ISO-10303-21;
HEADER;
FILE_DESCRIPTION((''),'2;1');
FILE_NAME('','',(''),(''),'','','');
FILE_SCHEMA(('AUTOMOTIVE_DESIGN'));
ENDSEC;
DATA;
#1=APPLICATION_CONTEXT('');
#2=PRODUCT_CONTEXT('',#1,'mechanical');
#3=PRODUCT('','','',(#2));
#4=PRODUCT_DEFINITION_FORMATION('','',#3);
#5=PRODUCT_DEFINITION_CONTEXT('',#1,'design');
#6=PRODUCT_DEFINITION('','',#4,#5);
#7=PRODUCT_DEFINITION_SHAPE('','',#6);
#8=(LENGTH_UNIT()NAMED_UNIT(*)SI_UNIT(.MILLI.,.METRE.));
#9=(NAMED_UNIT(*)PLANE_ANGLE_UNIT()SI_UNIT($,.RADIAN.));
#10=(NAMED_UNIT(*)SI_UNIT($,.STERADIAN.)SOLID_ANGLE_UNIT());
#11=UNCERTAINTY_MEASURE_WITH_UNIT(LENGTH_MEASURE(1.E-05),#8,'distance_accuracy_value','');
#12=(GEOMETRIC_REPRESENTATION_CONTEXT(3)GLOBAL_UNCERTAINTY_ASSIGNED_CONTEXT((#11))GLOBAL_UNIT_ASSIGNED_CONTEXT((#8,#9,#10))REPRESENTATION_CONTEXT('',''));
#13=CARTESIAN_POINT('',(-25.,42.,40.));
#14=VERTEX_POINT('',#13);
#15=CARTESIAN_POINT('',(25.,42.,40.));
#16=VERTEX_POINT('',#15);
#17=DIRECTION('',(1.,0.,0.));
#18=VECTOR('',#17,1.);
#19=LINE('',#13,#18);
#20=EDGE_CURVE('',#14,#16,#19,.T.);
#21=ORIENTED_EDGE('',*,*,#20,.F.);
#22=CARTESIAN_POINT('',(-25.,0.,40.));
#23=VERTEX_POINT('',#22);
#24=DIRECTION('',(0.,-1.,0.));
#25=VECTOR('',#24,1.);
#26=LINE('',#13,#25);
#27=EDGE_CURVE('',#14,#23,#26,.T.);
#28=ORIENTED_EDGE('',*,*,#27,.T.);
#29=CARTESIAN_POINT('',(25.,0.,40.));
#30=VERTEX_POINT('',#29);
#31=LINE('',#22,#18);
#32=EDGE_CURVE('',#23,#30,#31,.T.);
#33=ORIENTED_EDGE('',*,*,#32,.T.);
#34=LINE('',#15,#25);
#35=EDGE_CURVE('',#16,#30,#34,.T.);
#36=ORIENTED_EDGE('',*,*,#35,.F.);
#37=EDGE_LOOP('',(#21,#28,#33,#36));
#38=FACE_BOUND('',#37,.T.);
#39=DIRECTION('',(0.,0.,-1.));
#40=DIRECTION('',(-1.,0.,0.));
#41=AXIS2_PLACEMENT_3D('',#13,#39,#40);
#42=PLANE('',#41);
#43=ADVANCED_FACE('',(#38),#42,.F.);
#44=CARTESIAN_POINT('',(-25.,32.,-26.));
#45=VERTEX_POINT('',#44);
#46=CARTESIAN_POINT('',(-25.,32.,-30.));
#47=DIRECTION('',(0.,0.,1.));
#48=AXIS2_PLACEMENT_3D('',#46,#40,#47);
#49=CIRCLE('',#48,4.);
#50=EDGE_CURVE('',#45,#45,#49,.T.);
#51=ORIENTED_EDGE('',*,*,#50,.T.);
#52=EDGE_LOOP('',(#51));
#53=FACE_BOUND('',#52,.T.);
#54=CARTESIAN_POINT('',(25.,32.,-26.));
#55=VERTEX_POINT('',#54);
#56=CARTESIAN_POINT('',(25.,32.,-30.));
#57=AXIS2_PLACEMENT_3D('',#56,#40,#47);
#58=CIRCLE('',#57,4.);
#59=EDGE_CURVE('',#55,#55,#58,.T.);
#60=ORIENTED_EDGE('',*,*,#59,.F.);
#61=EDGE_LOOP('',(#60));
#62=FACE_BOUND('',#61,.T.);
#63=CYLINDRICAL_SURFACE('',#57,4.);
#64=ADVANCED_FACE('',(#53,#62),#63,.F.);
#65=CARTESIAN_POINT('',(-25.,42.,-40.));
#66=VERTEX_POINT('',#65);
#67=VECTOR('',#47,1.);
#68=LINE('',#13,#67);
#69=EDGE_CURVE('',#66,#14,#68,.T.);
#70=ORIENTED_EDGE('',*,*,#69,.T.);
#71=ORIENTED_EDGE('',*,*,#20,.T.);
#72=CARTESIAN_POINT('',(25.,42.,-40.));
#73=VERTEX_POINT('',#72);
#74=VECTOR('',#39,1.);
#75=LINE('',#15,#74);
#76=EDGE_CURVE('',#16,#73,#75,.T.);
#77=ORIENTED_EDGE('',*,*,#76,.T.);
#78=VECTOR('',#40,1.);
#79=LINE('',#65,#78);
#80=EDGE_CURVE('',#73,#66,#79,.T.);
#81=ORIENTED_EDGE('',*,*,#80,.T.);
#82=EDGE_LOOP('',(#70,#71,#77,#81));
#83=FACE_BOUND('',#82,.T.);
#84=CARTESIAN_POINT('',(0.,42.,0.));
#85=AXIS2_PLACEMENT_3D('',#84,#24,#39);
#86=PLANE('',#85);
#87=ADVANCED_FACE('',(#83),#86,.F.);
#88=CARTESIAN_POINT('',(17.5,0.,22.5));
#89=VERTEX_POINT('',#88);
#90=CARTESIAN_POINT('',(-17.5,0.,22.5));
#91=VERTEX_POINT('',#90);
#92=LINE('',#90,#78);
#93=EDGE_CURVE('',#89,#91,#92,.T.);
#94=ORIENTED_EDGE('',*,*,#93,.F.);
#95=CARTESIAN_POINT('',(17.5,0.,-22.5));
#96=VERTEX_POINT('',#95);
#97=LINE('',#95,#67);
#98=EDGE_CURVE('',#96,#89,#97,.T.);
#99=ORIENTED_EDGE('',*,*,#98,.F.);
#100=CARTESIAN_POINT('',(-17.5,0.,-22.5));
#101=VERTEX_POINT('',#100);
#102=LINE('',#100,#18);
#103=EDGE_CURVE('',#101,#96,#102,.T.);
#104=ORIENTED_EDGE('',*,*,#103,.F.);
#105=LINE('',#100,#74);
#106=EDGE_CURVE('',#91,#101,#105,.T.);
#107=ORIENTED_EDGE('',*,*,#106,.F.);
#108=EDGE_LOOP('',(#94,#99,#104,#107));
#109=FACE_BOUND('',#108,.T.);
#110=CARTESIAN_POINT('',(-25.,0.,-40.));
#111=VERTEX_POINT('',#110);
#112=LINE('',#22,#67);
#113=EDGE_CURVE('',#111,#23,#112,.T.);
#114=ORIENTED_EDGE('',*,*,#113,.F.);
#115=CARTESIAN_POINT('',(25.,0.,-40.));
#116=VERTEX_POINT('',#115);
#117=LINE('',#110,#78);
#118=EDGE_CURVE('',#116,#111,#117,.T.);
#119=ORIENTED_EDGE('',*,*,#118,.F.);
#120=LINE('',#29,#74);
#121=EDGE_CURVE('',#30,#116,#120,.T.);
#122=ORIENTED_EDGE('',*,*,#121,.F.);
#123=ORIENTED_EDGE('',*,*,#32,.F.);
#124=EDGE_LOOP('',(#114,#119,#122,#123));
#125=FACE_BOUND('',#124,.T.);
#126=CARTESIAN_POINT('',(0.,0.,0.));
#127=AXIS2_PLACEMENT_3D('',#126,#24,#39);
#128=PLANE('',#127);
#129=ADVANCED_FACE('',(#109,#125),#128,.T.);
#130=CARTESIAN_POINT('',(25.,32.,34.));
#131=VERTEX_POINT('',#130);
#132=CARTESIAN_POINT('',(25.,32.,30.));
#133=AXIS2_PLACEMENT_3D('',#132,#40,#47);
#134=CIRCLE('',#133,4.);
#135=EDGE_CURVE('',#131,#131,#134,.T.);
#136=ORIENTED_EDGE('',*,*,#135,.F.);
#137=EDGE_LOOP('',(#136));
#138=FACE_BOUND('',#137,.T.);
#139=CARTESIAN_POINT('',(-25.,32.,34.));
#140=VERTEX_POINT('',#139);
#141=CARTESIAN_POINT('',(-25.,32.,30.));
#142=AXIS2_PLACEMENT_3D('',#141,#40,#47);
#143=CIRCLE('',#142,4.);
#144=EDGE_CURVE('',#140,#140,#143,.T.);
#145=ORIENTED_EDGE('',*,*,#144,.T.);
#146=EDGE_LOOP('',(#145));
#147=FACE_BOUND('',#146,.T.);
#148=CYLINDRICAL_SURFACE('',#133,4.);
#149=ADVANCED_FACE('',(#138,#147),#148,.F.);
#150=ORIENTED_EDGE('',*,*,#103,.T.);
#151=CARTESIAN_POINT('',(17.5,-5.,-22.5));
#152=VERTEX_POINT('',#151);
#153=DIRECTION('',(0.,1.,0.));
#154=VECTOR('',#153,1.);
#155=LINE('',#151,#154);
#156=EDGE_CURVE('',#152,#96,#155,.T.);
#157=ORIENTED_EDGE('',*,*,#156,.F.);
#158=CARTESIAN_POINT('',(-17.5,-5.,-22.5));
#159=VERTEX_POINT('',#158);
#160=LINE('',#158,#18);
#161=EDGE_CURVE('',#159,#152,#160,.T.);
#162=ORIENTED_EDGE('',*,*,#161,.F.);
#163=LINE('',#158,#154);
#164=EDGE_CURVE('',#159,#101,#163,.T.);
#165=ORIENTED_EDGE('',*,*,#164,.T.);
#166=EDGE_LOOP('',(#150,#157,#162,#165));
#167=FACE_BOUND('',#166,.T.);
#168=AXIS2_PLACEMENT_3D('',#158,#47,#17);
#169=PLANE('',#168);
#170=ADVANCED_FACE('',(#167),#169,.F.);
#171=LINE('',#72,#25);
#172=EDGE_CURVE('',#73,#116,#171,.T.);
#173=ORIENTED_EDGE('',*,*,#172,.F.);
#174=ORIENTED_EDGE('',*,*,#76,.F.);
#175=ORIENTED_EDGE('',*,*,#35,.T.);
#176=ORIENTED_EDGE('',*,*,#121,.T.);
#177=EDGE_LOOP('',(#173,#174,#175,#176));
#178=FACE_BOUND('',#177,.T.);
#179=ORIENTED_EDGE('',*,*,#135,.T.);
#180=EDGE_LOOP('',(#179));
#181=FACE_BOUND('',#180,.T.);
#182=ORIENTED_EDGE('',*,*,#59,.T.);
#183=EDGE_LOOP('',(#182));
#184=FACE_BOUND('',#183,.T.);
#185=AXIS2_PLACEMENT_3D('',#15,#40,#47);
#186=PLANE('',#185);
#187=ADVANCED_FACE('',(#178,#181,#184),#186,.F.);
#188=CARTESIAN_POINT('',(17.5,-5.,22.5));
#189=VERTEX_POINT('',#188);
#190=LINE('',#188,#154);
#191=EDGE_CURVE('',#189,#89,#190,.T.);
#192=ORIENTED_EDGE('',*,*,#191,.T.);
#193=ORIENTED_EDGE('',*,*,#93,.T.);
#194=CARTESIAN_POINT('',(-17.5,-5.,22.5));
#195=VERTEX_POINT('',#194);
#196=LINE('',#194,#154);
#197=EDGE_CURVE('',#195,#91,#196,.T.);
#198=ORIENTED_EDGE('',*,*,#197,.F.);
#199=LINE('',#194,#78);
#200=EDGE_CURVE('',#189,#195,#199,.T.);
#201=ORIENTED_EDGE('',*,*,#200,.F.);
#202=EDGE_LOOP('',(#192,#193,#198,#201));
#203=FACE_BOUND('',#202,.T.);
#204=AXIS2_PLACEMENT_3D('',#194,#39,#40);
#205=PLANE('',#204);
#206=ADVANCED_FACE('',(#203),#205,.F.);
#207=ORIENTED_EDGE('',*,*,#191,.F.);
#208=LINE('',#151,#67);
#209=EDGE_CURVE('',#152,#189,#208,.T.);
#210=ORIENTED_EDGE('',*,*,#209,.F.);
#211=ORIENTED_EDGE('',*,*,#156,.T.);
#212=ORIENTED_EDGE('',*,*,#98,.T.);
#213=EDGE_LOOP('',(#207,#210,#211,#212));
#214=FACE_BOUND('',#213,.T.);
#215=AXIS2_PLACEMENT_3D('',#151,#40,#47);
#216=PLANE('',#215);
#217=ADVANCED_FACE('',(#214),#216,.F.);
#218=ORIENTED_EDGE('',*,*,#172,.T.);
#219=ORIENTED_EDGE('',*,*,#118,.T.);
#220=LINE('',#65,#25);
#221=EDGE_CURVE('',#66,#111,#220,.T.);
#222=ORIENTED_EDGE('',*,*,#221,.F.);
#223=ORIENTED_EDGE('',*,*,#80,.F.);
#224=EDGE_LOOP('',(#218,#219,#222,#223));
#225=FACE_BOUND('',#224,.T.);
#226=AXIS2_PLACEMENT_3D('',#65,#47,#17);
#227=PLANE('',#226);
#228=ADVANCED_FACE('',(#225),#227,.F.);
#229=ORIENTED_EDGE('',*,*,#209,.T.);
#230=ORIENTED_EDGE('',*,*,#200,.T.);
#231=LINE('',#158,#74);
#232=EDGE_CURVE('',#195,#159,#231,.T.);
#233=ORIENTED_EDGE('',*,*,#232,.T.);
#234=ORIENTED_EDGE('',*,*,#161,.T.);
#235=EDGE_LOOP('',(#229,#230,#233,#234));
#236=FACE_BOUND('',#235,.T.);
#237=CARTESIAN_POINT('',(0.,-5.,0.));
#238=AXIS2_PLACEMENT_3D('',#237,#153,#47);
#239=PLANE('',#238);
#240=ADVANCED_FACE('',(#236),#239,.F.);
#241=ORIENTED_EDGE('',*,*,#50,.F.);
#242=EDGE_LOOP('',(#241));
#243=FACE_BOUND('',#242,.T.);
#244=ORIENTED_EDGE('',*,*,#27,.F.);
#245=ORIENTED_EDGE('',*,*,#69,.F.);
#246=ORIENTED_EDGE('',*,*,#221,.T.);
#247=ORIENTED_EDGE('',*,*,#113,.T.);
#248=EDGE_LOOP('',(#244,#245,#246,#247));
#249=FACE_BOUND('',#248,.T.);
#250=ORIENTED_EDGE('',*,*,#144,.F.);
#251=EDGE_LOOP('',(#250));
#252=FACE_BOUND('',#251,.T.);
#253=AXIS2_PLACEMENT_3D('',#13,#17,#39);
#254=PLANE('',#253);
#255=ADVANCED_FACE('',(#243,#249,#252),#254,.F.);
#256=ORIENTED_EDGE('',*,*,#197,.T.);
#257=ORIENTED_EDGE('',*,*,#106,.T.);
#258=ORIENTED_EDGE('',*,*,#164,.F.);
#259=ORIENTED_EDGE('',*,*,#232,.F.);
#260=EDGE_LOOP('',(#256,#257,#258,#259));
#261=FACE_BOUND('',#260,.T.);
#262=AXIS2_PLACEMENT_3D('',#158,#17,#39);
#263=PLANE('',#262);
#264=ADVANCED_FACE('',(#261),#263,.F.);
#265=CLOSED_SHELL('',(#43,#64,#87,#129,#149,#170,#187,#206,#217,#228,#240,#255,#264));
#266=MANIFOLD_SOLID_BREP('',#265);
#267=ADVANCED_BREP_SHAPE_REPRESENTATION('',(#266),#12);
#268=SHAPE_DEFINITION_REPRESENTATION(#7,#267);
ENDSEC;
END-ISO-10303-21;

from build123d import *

# Parameters (mm, degrees)
SKETCH1_W           = 50
SKETCH1_H           = 80
BOSS_EXTRUDE1_DEPTH = 42
SKETCH2_W           = 35
SKETCH2_H           = 45
BOSS_EXTRUDE2_DEPTH = 5
SKETCH3_R           = 4
CUT_EXTRUDE1_DEPTH  = 77.576758876


with BuildPart() as part:
    # Sketch1 → Boss-Extrude1 (new body)
    with BuildSketch(Plane(origin=(0, 0, 0), x_dir=(1, 0, 0), z_dir=(0, 1, 0))):
        Rectangle(SKETCH1_W, SKETCH1_H)
    extrude(amount=BOSS_EXTRUDE1_DEPTH)

    # Sketch2 → Boss-Extrude2 (add)
    with BuildSketch(Plane.XZ):
        Rectangle(SKETCH2_W, SKETCH2_H)
    extrude(amount=BOSS_EXTRUDE2_DEPTH)

    # Sketch3 → Cut-Extrude1 (cut, through all)
    with BuildSketch(Plane.ZY.offset(25)):
        with Locations((-30, 32)):
            Circle(SKETCH3_R)
        with Locations((30, 32)):
            Circle(SKETCH3_R)
    extrude(amount=-CUT_EXTRUDE1_DEPTH, mode=Mode.SUBTRACT)


solid = part.part
